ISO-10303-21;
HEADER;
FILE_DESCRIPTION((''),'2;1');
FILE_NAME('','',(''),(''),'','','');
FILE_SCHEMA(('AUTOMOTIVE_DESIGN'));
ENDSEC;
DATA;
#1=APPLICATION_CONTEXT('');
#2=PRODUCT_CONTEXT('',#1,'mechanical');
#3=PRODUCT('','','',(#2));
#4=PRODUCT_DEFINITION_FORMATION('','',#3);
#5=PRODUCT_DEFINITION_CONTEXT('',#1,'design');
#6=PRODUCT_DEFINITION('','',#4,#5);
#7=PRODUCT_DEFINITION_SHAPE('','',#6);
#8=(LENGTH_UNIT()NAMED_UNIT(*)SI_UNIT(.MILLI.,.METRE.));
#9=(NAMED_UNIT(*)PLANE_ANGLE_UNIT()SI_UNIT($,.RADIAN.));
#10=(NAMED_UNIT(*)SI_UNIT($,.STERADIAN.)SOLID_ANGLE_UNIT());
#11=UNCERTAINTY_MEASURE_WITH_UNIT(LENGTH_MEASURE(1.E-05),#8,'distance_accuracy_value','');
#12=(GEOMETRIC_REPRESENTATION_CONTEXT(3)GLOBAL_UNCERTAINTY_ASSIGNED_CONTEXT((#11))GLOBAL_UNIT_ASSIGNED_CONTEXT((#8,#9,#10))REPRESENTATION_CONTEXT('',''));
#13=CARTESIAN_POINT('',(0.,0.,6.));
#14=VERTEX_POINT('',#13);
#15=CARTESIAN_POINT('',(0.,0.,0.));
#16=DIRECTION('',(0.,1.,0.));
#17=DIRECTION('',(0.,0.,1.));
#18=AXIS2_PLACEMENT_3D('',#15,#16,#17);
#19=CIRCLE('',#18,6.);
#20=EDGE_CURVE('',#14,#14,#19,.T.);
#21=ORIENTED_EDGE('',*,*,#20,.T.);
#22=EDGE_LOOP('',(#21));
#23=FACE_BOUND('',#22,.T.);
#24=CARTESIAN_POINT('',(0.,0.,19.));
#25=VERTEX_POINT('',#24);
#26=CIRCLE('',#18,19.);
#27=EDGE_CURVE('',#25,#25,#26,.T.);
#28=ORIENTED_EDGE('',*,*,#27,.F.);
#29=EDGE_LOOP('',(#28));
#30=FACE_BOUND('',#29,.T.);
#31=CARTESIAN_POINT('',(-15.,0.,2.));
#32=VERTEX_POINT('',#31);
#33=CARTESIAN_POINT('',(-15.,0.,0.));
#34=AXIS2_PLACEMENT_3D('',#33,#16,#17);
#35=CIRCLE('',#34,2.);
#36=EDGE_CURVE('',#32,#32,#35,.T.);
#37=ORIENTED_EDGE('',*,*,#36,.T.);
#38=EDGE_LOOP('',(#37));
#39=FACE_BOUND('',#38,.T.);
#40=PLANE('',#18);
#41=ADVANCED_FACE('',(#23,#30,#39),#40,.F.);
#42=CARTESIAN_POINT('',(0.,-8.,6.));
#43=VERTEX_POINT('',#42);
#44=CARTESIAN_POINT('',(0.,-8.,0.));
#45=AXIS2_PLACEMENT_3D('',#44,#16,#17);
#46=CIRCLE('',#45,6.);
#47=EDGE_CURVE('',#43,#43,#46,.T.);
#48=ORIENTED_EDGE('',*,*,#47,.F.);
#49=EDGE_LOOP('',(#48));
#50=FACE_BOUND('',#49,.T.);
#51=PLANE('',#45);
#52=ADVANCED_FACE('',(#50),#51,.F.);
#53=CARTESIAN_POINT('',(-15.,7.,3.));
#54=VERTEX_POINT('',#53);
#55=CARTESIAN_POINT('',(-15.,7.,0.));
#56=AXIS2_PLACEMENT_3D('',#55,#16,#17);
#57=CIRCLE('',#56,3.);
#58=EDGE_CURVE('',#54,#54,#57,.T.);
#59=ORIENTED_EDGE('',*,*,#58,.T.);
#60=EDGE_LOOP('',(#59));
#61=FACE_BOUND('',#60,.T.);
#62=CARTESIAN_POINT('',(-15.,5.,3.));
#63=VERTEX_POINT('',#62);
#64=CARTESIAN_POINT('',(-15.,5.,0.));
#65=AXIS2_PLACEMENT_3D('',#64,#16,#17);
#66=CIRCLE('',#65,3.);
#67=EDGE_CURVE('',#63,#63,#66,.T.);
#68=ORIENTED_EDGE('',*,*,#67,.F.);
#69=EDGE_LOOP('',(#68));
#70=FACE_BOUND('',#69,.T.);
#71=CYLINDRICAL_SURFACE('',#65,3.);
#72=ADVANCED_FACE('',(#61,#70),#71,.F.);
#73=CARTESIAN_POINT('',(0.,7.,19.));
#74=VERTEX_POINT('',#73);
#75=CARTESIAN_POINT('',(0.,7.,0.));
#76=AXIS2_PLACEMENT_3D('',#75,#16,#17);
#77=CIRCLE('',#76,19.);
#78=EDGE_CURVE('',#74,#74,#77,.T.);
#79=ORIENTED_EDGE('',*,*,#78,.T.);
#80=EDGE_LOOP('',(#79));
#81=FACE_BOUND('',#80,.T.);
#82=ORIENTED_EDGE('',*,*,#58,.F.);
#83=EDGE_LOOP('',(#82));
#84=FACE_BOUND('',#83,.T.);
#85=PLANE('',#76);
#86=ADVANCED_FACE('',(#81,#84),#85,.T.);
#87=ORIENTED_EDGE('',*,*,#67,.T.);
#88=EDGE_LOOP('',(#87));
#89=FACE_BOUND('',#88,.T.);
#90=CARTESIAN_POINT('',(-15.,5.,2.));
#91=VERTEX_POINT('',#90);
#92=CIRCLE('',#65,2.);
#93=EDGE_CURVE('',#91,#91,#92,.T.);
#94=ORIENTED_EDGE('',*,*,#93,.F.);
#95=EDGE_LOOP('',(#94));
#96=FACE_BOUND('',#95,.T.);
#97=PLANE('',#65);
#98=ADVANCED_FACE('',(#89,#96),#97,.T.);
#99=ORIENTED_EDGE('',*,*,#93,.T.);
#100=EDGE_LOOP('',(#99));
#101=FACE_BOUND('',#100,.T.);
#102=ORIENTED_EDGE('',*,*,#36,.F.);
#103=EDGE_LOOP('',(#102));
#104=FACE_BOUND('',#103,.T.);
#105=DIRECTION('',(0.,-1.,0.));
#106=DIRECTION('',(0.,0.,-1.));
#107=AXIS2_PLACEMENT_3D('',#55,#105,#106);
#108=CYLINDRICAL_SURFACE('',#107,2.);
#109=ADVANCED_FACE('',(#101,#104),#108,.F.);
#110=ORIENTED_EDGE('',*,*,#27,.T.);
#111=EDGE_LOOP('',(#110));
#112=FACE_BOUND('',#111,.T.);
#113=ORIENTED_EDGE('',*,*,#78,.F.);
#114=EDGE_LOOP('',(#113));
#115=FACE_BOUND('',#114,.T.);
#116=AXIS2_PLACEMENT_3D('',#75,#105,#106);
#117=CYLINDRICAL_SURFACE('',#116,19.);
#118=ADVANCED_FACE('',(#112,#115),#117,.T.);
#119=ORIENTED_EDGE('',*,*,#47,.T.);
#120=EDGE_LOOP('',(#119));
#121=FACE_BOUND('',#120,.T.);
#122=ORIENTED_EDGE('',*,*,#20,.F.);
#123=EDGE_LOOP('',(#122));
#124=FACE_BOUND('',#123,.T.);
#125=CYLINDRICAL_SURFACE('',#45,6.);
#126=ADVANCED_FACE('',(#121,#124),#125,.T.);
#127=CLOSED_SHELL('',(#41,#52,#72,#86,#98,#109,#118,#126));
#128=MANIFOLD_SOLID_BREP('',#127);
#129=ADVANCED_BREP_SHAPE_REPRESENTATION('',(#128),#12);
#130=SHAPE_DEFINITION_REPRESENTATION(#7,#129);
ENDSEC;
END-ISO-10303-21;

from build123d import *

# Parameters (mm, degrees)
CROQUIS2_R              = 19
SALIENTE_EXTRUIR1_DEPTH = 7
CROQUIS2_4_R            = 6
SALIENTE_EXTRUIR2_DEPTH = 8
CROQUIS2_5_R            = 2
CORTAR_EXTRUIR2_DEPTH   = 8
CROQUIS5_R              = 3
CORTAR_EXTRUIR3_DEPTH   = 2


with BuildPart() as part:
    # Croquis2 → Saliente-Extruir1 (new body)
    with BuildSketch(Plane(origin=(0, 0, 0), x_dir=(1, 0, 0), z_dir=(0, 1, 0))):
        Circle(CROQUIS2_R)
    extrude(amount=SALIENTE_EXTRUIR1_DEPTH)

    # Croquis2<4> → Saliente-Extruir2 (add)
    with BuildSketch(Plane(origin=(0, 0, 0), x_dir=(1, 0, 0), z_dir=(0, 1, 0))):
        Circle(CROQUIS2_4_R)
    extrude(amount=-SALIENTE_EXTRUIR2_DEPTH)

    # Croquis2<5> → Cortar-Extruir2 (cut, through all)
    with BuildSketch(Plane(origin=(0, 0, 0), x_dir=(1, 0, 0), z_dir=(0, 1, 0))):
        with Locations((-15, 0)):
            Circle(CROQUIS2_5_R)
    extrude(amount=CORTAR_EXTRUIR2_DEPTH, mode=Mode.SUBTRACT)

    # Croquis5 → Cortar-Extruir3 (cut)
    with BuildSketch(Plane(origin=(0, 7, 0), x_dir=(1, 0, 0), z_dir=(0, 1, 0))):
        with Locations((-15, 0)):
            Circle(CROQUIS5_R)
    extrude(amount=-CORTAR_EXTRUIR3_DEPTH, mode=Mode.SUBTRACT)


solid = part.part
